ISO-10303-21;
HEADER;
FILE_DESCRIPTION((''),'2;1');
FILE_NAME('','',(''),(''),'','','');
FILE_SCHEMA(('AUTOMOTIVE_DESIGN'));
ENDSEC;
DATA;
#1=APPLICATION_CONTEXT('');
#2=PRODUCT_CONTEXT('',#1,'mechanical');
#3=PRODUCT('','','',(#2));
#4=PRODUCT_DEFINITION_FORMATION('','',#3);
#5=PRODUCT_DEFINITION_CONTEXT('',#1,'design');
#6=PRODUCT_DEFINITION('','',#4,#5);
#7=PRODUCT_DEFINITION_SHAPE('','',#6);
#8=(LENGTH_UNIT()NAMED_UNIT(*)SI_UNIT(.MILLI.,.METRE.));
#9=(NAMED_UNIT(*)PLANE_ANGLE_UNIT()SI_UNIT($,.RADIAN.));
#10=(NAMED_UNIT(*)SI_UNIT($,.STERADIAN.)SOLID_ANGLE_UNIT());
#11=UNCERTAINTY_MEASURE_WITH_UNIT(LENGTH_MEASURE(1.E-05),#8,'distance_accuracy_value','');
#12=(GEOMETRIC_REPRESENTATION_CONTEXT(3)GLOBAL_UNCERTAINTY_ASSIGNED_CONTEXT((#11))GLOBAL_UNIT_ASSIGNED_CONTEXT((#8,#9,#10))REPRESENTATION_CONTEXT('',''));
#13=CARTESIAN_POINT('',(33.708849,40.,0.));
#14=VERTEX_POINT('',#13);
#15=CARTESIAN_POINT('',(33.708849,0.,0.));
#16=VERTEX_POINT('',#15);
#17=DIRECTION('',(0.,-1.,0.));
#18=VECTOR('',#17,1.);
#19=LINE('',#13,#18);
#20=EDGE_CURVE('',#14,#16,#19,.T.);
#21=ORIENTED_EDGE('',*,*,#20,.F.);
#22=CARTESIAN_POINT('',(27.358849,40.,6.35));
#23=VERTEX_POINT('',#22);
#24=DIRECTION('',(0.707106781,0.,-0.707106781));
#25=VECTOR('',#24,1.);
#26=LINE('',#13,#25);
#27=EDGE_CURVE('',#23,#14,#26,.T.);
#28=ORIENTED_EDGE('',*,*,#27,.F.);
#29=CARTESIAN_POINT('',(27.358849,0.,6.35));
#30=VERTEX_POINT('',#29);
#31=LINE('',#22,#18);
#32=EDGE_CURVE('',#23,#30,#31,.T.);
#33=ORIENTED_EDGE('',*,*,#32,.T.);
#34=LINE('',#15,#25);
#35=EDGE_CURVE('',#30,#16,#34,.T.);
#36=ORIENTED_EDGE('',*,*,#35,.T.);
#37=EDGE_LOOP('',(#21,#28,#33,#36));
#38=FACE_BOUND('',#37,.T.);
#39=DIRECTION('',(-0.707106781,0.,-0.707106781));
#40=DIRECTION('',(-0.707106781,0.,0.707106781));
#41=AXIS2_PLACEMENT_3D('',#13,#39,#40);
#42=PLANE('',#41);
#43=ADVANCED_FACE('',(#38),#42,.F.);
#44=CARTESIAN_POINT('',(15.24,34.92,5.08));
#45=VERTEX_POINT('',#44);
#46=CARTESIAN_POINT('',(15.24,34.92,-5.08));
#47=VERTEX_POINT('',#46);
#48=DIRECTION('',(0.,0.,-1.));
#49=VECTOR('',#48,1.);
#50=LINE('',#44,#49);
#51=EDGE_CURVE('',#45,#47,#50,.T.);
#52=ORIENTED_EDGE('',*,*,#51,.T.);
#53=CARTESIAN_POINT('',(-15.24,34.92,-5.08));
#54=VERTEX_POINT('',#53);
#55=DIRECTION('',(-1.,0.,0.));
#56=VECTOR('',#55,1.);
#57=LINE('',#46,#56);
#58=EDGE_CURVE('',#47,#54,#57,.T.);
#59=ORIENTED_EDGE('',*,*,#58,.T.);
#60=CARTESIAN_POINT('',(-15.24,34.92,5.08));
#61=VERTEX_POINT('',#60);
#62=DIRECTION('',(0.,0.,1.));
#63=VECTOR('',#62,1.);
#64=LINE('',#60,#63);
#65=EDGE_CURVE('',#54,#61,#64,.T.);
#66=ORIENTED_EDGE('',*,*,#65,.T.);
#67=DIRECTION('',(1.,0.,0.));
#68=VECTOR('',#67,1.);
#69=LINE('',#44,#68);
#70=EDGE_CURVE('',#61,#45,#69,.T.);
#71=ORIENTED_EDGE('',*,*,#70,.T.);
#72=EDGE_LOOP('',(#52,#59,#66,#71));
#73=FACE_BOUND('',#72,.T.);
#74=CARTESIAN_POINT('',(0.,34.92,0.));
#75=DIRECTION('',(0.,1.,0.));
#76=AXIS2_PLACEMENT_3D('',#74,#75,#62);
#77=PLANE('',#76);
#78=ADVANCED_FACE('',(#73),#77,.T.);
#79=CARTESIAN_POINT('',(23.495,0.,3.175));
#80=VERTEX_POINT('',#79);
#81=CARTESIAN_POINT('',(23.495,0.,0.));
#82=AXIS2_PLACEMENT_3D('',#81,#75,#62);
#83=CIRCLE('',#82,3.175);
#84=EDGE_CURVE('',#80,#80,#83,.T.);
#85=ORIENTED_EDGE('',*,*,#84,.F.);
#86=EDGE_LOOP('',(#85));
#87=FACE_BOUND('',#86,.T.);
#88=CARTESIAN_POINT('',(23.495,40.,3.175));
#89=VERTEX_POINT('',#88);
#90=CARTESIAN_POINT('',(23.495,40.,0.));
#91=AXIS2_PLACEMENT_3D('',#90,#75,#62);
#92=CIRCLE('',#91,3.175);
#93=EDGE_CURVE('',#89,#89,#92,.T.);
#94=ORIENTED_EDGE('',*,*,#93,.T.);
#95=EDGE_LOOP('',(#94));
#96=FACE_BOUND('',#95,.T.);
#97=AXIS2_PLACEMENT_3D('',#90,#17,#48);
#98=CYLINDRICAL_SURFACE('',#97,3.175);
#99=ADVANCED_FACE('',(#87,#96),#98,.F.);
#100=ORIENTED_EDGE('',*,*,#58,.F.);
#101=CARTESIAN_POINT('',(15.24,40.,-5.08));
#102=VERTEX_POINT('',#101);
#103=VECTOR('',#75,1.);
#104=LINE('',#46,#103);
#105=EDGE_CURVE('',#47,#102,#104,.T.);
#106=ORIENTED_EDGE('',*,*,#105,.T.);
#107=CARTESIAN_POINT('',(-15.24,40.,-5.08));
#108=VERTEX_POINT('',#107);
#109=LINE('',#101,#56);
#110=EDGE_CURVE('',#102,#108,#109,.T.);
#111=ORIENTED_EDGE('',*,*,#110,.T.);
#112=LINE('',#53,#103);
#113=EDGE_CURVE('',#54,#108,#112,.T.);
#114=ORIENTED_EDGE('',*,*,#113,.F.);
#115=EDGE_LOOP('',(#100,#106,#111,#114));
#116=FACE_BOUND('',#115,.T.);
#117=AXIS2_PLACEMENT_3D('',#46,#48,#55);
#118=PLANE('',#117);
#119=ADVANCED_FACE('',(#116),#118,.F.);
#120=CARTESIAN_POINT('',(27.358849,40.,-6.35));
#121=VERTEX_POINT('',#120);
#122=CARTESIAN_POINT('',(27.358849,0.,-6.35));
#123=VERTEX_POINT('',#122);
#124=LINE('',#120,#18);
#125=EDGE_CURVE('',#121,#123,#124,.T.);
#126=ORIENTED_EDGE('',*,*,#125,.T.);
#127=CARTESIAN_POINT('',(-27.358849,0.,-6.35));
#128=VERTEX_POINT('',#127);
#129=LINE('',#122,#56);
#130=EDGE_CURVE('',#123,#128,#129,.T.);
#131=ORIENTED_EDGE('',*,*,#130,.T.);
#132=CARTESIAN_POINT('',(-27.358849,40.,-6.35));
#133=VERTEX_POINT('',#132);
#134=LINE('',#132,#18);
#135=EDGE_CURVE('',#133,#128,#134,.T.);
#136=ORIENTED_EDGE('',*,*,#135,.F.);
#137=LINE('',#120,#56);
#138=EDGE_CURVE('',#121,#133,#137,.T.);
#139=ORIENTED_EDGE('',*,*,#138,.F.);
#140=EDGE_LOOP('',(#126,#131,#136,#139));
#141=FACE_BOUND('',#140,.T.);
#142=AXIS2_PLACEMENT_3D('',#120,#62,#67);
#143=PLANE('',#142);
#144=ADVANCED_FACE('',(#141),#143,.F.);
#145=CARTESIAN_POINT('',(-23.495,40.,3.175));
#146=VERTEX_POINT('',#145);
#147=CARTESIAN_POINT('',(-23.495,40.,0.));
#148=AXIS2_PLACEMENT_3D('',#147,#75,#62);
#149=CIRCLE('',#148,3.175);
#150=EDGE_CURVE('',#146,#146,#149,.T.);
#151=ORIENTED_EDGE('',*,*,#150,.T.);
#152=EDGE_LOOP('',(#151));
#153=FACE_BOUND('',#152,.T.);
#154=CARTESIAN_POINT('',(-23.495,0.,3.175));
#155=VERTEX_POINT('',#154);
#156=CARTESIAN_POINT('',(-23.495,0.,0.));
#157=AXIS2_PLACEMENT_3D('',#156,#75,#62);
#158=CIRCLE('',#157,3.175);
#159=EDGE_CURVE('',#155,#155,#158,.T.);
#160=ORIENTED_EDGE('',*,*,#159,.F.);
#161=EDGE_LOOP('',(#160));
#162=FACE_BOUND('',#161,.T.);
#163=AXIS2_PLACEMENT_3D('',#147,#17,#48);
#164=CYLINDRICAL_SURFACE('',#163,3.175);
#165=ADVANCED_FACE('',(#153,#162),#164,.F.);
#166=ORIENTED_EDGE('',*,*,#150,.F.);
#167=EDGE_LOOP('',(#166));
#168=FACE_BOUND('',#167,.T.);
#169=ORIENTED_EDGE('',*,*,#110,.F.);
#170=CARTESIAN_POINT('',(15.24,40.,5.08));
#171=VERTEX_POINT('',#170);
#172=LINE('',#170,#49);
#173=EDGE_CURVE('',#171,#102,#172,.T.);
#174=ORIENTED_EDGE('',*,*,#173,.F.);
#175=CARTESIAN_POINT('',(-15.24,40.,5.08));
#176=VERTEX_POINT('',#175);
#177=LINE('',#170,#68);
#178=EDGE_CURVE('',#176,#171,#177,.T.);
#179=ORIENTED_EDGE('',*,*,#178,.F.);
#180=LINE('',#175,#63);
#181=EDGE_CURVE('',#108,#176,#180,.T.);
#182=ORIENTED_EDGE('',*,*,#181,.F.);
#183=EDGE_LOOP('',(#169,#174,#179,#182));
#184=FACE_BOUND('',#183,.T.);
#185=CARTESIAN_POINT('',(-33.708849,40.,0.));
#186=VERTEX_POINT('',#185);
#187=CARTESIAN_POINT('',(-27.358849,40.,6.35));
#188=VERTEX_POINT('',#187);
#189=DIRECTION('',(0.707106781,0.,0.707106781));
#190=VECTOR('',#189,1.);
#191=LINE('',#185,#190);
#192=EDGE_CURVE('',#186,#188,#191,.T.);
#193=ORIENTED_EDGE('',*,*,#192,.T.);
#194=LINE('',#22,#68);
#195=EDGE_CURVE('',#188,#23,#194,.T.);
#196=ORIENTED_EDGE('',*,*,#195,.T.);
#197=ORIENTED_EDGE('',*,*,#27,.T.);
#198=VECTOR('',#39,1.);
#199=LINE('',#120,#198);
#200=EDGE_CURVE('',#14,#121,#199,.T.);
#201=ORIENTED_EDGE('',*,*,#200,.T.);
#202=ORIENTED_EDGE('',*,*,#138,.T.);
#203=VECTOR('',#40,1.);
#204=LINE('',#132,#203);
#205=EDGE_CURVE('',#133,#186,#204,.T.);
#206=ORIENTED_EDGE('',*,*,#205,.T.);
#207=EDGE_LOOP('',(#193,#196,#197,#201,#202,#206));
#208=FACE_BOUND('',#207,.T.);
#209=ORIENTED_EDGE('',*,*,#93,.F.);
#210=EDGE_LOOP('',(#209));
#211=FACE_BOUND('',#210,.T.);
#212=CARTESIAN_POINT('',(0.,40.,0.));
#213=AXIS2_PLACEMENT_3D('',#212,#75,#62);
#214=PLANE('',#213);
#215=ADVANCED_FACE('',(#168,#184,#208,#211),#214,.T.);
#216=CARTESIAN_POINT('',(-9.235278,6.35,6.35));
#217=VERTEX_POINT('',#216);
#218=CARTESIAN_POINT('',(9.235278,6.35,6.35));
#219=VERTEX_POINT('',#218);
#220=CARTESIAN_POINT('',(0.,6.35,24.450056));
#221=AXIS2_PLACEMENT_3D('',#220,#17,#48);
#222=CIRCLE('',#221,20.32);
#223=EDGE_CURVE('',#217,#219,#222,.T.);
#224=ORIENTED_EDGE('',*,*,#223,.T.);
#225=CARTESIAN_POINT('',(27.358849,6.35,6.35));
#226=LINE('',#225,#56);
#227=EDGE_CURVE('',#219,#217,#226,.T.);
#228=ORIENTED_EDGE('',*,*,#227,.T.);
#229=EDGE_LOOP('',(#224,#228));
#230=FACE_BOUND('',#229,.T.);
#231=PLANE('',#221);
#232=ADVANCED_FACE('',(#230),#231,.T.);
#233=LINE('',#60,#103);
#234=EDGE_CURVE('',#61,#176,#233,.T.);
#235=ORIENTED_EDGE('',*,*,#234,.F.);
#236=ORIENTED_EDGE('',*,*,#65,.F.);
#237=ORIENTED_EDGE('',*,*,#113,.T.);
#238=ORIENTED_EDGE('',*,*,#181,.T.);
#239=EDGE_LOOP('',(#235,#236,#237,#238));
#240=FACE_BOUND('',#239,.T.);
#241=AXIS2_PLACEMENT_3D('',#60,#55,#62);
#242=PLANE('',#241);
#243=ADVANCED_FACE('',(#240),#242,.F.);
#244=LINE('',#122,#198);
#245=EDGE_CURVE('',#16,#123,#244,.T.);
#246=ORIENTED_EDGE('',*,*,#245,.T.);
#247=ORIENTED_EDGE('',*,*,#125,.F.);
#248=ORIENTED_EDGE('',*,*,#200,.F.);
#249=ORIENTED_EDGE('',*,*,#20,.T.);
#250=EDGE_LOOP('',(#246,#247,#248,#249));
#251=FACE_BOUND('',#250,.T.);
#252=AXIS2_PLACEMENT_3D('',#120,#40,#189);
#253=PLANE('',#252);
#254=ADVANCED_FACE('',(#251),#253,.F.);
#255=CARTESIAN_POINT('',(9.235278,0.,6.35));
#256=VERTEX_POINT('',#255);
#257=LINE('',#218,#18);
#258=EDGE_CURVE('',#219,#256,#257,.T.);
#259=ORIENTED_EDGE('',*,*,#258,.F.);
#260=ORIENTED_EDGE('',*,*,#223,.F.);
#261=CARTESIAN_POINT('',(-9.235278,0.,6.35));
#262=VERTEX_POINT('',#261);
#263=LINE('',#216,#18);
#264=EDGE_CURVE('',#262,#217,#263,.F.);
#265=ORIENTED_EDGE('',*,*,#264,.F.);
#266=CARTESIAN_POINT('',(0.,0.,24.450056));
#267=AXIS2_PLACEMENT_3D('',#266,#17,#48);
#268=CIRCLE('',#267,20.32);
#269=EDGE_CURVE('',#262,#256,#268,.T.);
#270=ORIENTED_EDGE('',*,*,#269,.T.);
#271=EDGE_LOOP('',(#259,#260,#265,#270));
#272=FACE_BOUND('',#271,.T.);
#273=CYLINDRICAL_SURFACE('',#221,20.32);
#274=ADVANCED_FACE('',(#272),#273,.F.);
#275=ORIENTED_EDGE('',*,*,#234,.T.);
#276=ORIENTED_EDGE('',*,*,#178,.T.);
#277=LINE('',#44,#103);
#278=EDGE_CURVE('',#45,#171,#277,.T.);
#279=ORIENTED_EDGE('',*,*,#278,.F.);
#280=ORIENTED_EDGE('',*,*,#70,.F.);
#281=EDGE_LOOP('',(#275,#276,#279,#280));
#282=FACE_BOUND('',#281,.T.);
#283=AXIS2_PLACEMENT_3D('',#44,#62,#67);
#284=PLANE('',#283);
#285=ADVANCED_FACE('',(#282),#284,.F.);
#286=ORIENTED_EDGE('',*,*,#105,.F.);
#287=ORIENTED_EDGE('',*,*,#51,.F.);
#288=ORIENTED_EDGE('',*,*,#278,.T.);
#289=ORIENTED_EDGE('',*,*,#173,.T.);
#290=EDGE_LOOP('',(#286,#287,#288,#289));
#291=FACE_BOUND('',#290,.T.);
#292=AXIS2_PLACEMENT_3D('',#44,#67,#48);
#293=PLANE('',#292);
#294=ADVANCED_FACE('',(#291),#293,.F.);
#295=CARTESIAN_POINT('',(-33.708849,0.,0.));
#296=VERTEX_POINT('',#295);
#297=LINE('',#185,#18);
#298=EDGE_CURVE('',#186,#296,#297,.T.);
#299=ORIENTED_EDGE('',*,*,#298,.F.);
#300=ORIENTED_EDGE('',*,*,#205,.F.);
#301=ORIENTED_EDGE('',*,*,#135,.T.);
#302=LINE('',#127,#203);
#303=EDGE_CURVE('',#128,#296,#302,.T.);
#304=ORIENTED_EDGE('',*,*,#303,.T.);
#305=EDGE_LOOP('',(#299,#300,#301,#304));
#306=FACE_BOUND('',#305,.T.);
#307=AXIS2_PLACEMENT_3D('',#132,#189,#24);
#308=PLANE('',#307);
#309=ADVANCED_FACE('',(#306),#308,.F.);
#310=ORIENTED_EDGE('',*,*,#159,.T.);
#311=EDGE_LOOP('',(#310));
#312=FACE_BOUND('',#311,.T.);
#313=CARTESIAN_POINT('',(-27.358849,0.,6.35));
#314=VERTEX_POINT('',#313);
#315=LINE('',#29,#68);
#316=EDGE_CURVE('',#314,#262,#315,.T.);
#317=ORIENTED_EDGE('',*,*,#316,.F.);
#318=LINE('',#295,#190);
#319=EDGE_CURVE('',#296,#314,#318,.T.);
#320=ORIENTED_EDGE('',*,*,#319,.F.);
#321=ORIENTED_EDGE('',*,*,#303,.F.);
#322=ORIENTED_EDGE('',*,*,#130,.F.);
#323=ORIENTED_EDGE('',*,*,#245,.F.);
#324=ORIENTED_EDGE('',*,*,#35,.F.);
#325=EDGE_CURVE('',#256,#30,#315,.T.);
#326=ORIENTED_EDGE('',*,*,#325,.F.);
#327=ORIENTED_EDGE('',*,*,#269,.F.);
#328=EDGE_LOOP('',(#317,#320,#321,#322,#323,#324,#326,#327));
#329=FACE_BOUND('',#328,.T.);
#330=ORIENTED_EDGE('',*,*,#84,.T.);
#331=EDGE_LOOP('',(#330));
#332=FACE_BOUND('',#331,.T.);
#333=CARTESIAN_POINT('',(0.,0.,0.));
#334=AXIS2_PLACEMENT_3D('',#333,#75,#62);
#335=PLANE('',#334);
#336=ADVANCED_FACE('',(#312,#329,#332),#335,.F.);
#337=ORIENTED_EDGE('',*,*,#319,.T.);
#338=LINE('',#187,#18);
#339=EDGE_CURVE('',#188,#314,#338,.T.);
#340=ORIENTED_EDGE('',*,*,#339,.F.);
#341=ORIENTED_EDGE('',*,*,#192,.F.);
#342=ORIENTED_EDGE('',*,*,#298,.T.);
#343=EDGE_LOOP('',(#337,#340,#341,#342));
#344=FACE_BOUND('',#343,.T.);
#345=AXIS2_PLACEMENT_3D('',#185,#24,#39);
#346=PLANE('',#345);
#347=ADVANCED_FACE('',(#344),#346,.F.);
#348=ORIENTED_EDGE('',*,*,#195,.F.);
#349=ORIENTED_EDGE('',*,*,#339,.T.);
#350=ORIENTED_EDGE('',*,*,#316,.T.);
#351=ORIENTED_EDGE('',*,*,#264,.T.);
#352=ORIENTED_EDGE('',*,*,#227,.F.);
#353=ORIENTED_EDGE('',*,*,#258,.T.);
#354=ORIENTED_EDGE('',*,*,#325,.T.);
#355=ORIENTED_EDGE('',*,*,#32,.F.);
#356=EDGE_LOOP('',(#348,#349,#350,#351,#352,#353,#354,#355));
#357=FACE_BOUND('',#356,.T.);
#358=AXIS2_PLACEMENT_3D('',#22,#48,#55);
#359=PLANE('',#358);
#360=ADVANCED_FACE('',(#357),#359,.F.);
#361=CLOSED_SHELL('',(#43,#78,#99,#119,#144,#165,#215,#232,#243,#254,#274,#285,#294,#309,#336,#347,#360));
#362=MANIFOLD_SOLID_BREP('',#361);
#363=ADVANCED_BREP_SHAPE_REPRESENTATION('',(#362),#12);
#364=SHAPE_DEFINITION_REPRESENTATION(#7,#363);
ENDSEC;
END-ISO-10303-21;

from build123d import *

# Parameters (mm, degrees)
SKETCH1_R           = 3.175
BOSS_EXTRUDE1_DEPTH = 40
SKETCH2_W           = 30.48
SKETCH2_H           = 10.16
CUT_EXTRUDE1_DEPTH  = 5.08
SKETCH3_R           = 20.32
CUT_EXTRUDE2_DEPTH  = 6.35


with BuildPart() as part:
    # Sketch1 → Boss-Extrude1 (new body)
    with BuildSketch(Plane(origin=(0, 0, 0), x_dir=(1, 0, 0), z_dir=(0, 1, 0))):
        Polygon((-27.358849143, 6.35), (-33.708849143, 0), (-27.358849143, -6.35), (27.358849143, -6.35), (33.708849143, 0), (27.358849143, 6.35), align=None)
        with Locations((-23.495, 0)):
            Circle(SKETCH1_R, mode=Mode.SUBTRACT)
        with Locations((23.495, 0)):
            Circle(SKETCH1_R, mode=Mode.SUBTRACT)
    extrude(amount=BOSS_EXTRUDE1_DEPTH)

    # Sketch2 → Cut-Extrude1 (cut)
    with BuildSketch(Plane(origin=(0, 40, 0), x_dir=(1, 0, 0), z_dir=(0, 1, 0))):
        Rectangle(SKETCH2_W, SKETCH2_H)
    extrude(amount=-CUT_EXTRUDE1_DEPTH, mode=Mode.SUBTRACT)

    # Sketch3 → Cut-Extrude2 (cut)
    with BuildSketch(Plane(origin=(0, 0, 0), x_dir=(-1, 0, 0), z_dir=(0, -1, 0))):
        with Locations((0, -24.45005636)):
            Circle(SKETCH3_R)
    extrude(amount=-CUT_EXTRUDE2_DEPTH, mode=Mode.SUBTRACT)


solid = part.part
